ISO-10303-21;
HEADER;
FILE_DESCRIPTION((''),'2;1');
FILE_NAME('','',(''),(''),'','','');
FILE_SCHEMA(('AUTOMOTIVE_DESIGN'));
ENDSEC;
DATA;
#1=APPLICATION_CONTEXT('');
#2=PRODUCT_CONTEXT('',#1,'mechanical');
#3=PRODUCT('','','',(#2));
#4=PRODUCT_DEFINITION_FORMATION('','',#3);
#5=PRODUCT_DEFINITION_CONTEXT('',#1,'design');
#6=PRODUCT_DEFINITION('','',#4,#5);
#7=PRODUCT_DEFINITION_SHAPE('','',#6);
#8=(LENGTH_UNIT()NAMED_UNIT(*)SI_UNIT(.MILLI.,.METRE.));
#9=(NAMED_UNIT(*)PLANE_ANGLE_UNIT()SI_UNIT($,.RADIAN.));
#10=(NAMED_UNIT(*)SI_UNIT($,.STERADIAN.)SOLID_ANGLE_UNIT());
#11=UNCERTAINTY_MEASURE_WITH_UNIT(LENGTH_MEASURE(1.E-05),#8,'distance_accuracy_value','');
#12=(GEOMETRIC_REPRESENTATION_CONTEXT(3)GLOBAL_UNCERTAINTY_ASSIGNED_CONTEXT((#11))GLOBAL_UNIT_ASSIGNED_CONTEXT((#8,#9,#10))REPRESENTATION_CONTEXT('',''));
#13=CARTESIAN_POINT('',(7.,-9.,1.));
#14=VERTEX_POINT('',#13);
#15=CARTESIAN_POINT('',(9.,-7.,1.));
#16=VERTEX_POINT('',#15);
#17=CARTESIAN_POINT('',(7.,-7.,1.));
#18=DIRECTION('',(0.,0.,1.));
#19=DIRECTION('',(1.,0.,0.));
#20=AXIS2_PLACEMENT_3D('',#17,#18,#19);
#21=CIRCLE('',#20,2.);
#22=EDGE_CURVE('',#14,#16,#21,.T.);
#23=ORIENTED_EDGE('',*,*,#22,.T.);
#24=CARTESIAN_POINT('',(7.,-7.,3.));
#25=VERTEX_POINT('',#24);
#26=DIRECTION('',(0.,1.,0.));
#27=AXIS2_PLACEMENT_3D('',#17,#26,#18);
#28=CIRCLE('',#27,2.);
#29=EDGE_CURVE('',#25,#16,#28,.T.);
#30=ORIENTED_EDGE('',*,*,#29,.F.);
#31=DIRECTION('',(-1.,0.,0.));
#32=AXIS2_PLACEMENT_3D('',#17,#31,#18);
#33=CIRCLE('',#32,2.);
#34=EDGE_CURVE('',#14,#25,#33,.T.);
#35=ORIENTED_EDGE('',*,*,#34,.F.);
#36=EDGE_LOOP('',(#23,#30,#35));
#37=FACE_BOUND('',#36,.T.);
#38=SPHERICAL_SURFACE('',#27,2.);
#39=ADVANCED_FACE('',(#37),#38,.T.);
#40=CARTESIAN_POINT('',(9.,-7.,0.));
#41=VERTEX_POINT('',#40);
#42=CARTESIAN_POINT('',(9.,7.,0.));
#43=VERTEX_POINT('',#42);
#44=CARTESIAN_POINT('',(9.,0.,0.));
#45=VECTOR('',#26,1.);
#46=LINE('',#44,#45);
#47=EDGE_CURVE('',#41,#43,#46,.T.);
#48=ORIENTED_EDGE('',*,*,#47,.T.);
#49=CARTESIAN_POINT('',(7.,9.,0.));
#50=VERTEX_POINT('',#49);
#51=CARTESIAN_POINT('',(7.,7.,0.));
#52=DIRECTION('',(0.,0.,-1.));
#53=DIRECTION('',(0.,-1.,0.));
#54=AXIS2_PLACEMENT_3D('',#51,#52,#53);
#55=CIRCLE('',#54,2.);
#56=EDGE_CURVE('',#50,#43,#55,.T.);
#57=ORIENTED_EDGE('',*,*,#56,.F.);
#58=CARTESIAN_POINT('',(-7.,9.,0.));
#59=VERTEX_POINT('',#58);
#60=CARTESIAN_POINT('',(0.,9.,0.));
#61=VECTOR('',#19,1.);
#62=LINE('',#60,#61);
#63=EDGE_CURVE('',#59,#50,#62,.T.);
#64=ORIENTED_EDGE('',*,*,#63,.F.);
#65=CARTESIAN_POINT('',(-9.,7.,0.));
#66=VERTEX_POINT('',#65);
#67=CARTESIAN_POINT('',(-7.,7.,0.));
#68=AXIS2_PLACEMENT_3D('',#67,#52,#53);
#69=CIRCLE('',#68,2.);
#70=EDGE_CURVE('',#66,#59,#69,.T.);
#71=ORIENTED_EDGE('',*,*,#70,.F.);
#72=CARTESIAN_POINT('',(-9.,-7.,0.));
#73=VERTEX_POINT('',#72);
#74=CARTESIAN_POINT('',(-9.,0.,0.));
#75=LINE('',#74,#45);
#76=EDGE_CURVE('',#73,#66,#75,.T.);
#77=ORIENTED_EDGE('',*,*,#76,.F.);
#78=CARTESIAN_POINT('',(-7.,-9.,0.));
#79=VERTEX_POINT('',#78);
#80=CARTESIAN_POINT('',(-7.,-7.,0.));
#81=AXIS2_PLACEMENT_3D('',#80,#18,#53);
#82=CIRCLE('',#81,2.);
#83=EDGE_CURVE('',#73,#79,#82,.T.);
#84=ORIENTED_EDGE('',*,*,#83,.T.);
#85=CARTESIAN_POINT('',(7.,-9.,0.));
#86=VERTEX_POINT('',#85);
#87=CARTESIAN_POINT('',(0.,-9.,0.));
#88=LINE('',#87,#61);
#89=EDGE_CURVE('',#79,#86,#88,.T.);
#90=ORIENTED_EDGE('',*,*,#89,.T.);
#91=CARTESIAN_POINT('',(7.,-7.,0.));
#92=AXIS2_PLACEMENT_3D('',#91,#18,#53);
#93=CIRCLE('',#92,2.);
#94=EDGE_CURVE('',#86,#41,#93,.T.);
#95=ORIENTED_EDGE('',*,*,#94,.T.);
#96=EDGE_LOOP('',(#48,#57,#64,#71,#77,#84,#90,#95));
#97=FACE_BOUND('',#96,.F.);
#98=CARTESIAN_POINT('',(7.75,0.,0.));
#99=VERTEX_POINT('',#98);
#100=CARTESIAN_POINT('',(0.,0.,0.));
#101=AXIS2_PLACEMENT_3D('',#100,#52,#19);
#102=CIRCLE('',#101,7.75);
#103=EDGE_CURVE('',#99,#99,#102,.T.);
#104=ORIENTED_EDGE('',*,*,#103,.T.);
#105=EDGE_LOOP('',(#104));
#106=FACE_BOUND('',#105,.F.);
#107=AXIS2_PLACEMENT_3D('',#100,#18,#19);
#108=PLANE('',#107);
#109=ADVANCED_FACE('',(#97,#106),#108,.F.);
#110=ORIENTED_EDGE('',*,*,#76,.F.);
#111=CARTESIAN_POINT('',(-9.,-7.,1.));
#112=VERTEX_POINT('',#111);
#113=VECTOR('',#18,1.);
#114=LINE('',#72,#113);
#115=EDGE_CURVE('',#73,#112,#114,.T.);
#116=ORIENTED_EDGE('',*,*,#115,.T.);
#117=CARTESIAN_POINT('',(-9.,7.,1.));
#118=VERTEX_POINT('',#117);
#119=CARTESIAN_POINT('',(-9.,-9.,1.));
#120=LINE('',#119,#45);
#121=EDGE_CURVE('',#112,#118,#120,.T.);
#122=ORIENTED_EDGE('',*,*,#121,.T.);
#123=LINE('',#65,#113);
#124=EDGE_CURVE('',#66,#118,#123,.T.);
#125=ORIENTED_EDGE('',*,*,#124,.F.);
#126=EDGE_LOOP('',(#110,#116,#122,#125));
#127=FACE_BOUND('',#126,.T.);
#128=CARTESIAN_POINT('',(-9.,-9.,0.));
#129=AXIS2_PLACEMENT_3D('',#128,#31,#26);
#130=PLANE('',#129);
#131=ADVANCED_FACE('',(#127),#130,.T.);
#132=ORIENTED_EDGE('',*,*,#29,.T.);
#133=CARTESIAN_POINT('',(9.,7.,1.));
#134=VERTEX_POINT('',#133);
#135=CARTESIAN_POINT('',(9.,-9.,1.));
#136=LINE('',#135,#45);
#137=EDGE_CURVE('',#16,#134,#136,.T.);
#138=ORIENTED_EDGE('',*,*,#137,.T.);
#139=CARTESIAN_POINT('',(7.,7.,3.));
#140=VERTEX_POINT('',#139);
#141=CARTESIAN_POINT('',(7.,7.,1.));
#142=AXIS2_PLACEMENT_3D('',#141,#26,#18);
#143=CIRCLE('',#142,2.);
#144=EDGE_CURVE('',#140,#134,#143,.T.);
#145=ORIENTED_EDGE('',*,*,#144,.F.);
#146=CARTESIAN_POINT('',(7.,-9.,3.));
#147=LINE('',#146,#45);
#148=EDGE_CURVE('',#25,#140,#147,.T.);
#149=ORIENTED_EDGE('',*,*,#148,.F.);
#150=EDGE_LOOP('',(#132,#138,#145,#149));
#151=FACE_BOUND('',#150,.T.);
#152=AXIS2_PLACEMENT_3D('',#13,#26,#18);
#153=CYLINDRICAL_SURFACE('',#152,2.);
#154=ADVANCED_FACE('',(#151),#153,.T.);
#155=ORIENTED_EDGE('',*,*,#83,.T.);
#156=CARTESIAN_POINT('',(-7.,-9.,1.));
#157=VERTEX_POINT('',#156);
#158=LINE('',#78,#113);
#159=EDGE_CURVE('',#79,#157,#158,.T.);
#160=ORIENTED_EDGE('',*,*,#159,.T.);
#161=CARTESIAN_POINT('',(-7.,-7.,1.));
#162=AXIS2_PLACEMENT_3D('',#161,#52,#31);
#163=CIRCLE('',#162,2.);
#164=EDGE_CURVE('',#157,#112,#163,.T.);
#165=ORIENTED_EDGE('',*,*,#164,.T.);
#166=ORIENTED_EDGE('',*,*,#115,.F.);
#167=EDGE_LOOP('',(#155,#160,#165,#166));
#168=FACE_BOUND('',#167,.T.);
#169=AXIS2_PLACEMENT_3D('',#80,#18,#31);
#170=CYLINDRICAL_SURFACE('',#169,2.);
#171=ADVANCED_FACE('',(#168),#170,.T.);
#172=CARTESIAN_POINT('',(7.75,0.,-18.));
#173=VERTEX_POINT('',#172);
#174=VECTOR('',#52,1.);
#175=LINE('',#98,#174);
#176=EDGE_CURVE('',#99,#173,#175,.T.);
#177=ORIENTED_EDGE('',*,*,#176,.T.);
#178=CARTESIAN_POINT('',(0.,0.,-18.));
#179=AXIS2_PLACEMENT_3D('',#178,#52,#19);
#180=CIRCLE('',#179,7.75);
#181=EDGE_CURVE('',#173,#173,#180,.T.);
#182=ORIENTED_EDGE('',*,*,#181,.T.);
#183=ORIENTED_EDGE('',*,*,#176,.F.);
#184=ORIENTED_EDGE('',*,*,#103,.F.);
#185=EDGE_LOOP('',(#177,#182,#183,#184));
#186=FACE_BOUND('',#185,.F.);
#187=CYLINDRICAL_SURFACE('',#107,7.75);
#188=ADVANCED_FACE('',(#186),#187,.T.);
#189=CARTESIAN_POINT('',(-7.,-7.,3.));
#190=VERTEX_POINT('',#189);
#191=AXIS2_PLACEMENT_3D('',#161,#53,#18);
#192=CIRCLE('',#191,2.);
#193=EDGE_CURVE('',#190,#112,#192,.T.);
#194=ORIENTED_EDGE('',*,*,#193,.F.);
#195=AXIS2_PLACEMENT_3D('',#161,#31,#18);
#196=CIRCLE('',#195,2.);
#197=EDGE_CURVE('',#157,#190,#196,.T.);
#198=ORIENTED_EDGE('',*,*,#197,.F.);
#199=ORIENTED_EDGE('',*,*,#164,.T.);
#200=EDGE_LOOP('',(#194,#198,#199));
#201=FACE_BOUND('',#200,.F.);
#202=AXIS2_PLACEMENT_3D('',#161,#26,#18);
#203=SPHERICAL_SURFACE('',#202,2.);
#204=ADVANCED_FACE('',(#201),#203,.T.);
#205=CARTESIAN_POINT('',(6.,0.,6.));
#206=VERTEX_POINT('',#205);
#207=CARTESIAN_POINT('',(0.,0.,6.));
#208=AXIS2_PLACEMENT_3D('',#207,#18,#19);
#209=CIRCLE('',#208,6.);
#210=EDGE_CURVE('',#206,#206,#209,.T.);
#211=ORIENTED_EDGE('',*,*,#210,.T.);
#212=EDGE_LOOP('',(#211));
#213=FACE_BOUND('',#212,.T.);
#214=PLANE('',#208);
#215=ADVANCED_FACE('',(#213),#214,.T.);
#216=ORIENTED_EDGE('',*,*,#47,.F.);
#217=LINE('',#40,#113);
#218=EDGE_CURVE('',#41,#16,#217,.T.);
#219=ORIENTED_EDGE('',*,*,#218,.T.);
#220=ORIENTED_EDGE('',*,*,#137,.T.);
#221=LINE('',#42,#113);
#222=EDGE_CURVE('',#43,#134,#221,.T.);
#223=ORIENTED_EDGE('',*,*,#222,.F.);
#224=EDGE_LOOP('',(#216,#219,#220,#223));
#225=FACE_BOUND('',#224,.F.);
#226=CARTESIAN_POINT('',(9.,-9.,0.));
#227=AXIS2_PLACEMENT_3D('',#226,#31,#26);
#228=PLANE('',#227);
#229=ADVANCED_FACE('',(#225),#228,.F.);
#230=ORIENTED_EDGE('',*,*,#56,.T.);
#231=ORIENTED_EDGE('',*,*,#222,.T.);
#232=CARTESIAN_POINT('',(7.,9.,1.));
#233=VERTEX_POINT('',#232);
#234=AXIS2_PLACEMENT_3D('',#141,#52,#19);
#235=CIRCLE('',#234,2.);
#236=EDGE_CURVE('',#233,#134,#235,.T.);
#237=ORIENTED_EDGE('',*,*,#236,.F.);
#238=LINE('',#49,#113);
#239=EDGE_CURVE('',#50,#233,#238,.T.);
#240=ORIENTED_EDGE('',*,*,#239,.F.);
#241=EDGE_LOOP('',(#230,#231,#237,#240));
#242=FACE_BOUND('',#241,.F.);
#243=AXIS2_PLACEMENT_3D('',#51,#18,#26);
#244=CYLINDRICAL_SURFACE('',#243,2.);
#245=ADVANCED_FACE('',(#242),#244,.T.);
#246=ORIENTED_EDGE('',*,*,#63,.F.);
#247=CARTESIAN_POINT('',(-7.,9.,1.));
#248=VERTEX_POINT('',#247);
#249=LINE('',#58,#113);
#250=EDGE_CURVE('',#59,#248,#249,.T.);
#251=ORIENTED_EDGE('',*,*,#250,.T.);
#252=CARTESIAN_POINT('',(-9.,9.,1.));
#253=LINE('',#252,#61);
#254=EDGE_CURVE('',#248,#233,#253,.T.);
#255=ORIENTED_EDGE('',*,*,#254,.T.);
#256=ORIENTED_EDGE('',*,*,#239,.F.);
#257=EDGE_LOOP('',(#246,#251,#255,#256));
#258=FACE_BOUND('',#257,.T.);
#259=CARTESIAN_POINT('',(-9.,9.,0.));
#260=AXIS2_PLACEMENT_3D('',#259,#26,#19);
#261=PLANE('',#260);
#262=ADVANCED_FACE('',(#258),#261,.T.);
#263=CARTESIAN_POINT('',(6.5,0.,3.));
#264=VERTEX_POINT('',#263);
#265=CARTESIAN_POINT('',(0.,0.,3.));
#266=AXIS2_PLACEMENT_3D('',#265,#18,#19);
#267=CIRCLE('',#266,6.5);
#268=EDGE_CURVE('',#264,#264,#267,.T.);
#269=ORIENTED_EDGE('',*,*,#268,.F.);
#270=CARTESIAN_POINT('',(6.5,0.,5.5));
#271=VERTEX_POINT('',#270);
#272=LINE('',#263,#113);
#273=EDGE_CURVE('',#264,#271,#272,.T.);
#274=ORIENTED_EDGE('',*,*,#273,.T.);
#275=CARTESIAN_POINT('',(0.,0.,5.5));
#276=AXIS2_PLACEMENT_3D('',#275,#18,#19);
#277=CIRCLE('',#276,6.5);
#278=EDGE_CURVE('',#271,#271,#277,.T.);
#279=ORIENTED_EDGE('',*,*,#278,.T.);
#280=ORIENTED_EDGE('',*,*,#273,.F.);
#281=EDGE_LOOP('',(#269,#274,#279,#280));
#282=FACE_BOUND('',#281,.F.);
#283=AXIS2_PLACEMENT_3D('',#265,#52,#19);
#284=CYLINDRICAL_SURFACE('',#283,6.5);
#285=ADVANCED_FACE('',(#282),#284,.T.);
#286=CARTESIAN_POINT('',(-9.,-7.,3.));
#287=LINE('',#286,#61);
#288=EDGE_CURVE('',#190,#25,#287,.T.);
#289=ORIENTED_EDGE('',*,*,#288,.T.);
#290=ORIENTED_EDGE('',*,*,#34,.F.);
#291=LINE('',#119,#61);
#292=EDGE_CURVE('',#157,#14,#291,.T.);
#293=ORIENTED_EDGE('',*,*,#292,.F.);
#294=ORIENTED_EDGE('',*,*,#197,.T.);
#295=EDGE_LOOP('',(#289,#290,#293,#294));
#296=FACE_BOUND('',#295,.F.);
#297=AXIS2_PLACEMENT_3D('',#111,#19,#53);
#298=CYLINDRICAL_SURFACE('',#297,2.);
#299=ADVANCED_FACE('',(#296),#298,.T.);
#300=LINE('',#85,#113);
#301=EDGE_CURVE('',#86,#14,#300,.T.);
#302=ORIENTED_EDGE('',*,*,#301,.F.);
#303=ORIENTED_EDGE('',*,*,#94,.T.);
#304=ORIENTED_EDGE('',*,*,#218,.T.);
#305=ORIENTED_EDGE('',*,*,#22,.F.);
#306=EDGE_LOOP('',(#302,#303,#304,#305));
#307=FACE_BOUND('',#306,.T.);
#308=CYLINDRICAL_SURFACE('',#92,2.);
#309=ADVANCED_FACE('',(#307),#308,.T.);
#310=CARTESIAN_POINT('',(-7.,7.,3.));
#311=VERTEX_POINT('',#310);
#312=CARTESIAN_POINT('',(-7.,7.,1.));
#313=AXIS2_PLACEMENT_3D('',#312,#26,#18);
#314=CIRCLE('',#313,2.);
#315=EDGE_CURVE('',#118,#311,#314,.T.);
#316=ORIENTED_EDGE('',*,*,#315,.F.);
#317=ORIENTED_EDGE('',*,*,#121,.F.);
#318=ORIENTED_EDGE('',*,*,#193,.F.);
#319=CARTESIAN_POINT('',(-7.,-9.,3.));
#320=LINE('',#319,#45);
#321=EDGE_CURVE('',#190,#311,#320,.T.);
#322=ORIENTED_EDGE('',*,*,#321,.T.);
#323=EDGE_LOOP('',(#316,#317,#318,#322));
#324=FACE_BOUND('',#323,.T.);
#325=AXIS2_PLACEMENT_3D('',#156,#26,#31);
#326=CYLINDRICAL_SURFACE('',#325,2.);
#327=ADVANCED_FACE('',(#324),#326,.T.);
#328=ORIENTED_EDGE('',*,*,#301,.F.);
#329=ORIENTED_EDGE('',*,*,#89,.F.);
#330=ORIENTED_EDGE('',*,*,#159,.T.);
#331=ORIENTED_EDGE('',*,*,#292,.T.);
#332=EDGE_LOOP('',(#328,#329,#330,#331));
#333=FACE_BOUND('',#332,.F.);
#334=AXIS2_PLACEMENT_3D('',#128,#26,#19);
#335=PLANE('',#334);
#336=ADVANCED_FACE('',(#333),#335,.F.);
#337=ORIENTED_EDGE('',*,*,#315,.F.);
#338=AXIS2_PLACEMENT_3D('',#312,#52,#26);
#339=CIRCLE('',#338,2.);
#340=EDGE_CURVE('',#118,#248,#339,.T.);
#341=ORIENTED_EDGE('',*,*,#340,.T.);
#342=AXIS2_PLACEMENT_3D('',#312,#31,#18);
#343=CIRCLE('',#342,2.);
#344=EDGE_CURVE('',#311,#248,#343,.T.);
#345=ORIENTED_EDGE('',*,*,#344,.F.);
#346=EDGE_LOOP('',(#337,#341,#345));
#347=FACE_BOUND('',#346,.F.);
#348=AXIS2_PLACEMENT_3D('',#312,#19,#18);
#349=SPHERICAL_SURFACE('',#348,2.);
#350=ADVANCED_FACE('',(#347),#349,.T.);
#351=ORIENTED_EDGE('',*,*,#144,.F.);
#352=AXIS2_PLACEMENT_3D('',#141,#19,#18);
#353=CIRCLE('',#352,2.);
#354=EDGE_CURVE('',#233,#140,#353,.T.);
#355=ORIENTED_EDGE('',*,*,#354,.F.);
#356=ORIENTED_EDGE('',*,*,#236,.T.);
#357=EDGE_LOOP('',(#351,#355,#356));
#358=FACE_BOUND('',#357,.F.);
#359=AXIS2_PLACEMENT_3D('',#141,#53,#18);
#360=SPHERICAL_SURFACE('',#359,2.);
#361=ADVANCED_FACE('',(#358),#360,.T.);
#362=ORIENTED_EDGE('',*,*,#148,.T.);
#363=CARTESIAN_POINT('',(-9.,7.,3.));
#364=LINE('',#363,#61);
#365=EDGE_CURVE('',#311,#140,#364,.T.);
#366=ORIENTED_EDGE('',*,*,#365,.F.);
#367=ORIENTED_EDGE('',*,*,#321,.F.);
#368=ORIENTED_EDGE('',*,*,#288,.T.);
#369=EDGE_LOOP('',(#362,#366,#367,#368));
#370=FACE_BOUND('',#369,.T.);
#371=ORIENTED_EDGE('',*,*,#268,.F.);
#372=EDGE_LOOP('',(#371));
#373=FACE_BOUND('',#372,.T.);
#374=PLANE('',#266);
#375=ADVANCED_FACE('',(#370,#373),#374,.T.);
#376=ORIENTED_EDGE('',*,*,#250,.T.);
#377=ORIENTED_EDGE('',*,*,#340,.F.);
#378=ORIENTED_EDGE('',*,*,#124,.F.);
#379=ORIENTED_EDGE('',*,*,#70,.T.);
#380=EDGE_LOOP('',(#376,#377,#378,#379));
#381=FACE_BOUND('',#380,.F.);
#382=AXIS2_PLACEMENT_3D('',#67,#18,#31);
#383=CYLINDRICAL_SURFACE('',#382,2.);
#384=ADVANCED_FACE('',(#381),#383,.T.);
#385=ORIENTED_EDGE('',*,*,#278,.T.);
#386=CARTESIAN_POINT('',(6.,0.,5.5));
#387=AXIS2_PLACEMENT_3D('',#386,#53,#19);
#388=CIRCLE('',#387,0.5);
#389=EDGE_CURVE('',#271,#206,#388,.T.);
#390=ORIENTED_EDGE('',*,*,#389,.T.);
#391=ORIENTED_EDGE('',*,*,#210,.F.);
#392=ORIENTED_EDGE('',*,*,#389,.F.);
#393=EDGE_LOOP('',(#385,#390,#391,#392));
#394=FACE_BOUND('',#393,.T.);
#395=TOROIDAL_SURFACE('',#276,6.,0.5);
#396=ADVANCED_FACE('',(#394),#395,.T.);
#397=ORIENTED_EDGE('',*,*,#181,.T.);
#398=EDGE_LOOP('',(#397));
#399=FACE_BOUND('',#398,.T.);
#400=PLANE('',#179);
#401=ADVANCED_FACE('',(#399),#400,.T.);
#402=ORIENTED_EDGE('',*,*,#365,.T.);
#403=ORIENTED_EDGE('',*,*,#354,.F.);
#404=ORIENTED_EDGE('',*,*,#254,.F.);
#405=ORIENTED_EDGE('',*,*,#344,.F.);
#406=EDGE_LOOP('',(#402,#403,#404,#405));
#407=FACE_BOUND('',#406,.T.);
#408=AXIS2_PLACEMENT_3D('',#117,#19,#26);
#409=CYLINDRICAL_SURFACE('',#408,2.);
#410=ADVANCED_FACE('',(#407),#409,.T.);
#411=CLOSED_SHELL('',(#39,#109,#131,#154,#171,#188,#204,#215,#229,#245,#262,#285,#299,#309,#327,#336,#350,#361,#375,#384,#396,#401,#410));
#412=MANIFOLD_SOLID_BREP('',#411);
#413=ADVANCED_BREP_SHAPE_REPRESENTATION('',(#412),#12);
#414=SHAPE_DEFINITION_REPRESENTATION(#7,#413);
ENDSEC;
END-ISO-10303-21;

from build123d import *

# Parameters (mm, degrees)
F0_W     = 18
F0_H     = 18
F1_DEPTH = 3
F2_R     = 6.5
F3_DEPTH = 3
F4_R     = 2
F5_R     = 0.5
F6_R     = 7.75
F7_DEPTH = 18


with BuildPart() as f1:
    # F0 (on Top) → F1 (new body)
    with BuildSketch(Plane.XY):
        Rectangle(F0_W, F0_H)
    extrude(amount=F1_DEPTH)

    # F2 (on face) → F3 (join)
    with BuildSketch(Plane.XY.offset(3)):
        Circle(F2_R)
    extrude(amount=F3_DEPTH)

    # F4
    f4_edges = [f1.edges().sort_by_distance(p)[0] for p in [
        (9, 0, 3),
        (0, 9, 3),
        (-9, 0, 3),
        (0, -9, 3),
        (-9, -9, 1.5),
        (-9, 9, 1.5),
        (9, -9, 1.5),
        (9, 9, 1.5),
    ]]
    fillet(f4_edges, radius=F4_R)

    # F5
    f5_edges = [f1.edges().sort_by_distance(p)[0] for p in [
        (-6.5, 0, 6),
    ]]
    fillet(f5_edges, radius=F5_R)

    # F6 (on face) → F7 (join)
    with BuildSketch(Plane(origin=(0, 0, 0), x_dir=(1, 0, 0), z_dir=(0, 0, -1))):
        Circle(F6_R)
    extrude(amount=F7_DEPTH)


solid = f1.part
